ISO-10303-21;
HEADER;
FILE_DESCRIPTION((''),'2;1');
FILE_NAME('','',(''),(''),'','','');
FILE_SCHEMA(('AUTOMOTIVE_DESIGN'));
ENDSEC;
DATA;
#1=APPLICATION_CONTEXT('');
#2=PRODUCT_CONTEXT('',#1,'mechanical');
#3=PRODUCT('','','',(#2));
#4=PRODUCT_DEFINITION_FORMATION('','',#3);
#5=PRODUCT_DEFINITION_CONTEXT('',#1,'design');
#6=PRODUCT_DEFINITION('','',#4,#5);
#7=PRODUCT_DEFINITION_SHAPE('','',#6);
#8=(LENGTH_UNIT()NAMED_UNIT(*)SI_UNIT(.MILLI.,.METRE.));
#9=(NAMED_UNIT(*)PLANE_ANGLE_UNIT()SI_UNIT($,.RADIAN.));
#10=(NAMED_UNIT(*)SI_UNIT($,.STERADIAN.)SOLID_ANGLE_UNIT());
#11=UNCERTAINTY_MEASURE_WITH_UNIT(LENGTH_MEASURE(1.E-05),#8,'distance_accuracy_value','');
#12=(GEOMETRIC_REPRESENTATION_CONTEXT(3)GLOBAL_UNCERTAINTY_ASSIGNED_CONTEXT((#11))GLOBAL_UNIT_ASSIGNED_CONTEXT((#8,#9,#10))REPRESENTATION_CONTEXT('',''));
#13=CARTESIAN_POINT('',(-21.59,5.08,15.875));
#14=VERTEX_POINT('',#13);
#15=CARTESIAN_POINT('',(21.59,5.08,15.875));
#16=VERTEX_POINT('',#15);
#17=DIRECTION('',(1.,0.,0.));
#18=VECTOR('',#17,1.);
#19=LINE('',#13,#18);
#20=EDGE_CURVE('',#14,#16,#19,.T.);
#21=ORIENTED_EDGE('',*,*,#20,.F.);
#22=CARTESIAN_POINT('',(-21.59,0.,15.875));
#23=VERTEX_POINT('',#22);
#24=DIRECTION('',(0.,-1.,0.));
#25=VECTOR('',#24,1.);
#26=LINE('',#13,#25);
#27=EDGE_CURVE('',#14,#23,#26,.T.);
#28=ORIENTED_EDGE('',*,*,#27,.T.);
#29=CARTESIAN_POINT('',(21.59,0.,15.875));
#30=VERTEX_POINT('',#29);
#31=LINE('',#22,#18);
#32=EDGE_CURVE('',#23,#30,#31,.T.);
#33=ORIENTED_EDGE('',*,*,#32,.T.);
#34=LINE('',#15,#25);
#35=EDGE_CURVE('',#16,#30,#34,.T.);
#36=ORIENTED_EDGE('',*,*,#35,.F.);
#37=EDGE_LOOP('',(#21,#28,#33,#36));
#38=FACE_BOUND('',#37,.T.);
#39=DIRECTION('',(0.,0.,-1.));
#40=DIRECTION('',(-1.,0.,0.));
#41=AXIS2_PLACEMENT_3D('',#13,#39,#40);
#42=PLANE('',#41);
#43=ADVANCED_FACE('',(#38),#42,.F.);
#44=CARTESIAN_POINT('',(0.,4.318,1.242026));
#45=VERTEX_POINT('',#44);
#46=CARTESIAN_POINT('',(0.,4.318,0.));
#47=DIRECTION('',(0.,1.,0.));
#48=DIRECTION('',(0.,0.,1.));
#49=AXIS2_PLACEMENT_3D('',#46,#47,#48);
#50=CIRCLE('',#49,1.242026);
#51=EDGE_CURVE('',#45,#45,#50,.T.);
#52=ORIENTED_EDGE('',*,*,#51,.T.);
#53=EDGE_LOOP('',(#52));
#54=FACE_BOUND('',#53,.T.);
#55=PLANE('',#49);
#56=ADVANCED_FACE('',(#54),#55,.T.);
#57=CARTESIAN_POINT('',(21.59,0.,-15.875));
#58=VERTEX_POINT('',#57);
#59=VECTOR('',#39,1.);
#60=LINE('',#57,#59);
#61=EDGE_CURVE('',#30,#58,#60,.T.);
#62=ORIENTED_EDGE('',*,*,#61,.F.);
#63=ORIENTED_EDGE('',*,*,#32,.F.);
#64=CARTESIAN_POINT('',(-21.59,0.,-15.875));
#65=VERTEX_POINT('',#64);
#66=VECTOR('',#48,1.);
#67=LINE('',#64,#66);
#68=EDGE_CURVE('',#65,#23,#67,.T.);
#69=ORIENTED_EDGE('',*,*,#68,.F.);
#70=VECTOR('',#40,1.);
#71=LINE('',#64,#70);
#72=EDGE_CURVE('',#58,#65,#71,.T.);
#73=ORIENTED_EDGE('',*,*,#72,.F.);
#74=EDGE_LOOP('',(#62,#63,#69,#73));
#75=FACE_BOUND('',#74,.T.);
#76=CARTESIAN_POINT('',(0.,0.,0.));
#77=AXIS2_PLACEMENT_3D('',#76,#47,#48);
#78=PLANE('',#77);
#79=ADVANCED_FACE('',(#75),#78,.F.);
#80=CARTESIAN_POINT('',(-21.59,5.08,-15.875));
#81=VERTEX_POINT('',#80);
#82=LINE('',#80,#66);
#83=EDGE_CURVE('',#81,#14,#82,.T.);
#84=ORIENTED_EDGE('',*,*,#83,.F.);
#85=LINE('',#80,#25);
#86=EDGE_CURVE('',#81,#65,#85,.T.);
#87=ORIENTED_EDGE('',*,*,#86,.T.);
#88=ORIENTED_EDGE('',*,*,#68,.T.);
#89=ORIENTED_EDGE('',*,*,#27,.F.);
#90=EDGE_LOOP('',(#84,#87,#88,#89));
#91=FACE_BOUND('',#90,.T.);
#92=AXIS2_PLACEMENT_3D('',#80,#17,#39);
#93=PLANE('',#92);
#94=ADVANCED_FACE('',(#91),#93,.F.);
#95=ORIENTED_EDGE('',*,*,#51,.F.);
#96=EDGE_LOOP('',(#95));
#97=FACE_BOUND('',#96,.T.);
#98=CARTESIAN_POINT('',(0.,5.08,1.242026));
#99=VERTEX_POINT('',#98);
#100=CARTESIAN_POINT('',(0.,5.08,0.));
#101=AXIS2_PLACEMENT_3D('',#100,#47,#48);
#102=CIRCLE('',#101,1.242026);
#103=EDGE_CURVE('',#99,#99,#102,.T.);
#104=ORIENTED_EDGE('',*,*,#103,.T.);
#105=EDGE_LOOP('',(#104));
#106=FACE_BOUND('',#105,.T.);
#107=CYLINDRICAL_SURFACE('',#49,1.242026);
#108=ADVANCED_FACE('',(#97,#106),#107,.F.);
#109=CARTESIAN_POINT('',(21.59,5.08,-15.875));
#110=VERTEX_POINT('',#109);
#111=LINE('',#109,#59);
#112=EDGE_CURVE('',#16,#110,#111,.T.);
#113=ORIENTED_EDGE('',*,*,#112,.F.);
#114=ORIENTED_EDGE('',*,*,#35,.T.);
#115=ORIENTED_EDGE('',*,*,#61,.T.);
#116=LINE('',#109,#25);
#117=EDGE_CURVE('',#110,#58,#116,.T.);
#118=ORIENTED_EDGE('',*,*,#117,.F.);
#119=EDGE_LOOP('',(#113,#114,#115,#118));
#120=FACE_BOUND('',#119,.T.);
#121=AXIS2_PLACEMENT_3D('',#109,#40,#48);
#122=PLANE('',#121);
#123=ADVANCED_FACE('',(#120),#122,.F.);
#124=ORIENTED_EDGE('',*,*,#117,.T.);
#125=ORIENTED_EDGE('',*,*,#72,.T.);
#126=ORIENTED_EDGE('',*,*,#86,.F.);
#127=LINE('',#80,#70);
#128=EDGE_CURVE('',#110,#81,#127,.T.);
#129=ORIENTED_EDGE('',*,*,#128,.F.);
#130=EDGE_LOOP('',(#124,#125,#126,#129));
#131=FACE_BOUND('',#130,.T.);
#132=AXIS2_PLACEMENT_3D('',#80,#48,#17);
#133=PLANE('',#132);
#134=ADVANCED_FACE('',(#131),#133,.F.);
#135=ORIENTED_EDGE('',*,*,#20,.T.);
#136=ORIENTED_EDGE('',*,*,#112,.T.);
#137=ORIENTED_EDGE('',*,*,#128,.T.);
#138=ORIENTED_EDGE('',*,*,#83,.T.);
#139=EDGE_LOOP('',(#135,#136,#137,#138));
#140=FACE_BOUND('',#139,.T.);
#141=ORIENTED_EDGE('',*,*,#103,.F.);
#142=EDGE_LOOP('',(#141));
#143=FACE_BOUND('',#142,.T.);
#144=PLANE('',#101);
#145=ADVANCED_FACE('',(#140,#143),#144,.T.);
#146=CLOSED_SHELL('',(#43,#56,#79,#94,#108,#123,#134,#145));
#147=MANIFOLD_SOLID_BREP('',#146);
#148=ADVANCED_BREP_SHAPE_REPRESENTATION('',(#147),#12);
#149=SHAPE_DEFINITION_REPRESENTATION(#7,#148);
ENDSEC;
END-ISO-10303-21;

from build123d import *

# Parameters (mm, degrees)
SKETCH1_W           = 43.18
SKETCH1_H           = 31.75
BOSS_EXTRUDE1_DEPTH = 5.08
SKETCH2_R           = 1.242025529
CUT_EXTRUDE1_DEPTH  = 0.762


with BuildPart() as part:
    # Sketch1 → Boss-Extrude1 (new body)
    with BuildSketch(Plane(origin=(0, 0, 0), x_dir=(1, 0, 0), z_dir=(0, 1, 0))):
        Rectangle(SKETCH1_W, SKETCH1_H)
    extrude(amount=BOSS_EXTRUDE1_DEPTH)

    # Sketch2 → Cut-Extrude1 (cut)
    with BuildSketch(Plane(origin=(0, 5.08, 0), x_dir=(1, 0, 0), z_dir=(0, 1, 0))):
        Circle(SKETCH2_R)
    extrude(amount=-CUT_EXTRUDE1_DEPTH, mode=Mode.SUBTRACT)


solid = part.part
